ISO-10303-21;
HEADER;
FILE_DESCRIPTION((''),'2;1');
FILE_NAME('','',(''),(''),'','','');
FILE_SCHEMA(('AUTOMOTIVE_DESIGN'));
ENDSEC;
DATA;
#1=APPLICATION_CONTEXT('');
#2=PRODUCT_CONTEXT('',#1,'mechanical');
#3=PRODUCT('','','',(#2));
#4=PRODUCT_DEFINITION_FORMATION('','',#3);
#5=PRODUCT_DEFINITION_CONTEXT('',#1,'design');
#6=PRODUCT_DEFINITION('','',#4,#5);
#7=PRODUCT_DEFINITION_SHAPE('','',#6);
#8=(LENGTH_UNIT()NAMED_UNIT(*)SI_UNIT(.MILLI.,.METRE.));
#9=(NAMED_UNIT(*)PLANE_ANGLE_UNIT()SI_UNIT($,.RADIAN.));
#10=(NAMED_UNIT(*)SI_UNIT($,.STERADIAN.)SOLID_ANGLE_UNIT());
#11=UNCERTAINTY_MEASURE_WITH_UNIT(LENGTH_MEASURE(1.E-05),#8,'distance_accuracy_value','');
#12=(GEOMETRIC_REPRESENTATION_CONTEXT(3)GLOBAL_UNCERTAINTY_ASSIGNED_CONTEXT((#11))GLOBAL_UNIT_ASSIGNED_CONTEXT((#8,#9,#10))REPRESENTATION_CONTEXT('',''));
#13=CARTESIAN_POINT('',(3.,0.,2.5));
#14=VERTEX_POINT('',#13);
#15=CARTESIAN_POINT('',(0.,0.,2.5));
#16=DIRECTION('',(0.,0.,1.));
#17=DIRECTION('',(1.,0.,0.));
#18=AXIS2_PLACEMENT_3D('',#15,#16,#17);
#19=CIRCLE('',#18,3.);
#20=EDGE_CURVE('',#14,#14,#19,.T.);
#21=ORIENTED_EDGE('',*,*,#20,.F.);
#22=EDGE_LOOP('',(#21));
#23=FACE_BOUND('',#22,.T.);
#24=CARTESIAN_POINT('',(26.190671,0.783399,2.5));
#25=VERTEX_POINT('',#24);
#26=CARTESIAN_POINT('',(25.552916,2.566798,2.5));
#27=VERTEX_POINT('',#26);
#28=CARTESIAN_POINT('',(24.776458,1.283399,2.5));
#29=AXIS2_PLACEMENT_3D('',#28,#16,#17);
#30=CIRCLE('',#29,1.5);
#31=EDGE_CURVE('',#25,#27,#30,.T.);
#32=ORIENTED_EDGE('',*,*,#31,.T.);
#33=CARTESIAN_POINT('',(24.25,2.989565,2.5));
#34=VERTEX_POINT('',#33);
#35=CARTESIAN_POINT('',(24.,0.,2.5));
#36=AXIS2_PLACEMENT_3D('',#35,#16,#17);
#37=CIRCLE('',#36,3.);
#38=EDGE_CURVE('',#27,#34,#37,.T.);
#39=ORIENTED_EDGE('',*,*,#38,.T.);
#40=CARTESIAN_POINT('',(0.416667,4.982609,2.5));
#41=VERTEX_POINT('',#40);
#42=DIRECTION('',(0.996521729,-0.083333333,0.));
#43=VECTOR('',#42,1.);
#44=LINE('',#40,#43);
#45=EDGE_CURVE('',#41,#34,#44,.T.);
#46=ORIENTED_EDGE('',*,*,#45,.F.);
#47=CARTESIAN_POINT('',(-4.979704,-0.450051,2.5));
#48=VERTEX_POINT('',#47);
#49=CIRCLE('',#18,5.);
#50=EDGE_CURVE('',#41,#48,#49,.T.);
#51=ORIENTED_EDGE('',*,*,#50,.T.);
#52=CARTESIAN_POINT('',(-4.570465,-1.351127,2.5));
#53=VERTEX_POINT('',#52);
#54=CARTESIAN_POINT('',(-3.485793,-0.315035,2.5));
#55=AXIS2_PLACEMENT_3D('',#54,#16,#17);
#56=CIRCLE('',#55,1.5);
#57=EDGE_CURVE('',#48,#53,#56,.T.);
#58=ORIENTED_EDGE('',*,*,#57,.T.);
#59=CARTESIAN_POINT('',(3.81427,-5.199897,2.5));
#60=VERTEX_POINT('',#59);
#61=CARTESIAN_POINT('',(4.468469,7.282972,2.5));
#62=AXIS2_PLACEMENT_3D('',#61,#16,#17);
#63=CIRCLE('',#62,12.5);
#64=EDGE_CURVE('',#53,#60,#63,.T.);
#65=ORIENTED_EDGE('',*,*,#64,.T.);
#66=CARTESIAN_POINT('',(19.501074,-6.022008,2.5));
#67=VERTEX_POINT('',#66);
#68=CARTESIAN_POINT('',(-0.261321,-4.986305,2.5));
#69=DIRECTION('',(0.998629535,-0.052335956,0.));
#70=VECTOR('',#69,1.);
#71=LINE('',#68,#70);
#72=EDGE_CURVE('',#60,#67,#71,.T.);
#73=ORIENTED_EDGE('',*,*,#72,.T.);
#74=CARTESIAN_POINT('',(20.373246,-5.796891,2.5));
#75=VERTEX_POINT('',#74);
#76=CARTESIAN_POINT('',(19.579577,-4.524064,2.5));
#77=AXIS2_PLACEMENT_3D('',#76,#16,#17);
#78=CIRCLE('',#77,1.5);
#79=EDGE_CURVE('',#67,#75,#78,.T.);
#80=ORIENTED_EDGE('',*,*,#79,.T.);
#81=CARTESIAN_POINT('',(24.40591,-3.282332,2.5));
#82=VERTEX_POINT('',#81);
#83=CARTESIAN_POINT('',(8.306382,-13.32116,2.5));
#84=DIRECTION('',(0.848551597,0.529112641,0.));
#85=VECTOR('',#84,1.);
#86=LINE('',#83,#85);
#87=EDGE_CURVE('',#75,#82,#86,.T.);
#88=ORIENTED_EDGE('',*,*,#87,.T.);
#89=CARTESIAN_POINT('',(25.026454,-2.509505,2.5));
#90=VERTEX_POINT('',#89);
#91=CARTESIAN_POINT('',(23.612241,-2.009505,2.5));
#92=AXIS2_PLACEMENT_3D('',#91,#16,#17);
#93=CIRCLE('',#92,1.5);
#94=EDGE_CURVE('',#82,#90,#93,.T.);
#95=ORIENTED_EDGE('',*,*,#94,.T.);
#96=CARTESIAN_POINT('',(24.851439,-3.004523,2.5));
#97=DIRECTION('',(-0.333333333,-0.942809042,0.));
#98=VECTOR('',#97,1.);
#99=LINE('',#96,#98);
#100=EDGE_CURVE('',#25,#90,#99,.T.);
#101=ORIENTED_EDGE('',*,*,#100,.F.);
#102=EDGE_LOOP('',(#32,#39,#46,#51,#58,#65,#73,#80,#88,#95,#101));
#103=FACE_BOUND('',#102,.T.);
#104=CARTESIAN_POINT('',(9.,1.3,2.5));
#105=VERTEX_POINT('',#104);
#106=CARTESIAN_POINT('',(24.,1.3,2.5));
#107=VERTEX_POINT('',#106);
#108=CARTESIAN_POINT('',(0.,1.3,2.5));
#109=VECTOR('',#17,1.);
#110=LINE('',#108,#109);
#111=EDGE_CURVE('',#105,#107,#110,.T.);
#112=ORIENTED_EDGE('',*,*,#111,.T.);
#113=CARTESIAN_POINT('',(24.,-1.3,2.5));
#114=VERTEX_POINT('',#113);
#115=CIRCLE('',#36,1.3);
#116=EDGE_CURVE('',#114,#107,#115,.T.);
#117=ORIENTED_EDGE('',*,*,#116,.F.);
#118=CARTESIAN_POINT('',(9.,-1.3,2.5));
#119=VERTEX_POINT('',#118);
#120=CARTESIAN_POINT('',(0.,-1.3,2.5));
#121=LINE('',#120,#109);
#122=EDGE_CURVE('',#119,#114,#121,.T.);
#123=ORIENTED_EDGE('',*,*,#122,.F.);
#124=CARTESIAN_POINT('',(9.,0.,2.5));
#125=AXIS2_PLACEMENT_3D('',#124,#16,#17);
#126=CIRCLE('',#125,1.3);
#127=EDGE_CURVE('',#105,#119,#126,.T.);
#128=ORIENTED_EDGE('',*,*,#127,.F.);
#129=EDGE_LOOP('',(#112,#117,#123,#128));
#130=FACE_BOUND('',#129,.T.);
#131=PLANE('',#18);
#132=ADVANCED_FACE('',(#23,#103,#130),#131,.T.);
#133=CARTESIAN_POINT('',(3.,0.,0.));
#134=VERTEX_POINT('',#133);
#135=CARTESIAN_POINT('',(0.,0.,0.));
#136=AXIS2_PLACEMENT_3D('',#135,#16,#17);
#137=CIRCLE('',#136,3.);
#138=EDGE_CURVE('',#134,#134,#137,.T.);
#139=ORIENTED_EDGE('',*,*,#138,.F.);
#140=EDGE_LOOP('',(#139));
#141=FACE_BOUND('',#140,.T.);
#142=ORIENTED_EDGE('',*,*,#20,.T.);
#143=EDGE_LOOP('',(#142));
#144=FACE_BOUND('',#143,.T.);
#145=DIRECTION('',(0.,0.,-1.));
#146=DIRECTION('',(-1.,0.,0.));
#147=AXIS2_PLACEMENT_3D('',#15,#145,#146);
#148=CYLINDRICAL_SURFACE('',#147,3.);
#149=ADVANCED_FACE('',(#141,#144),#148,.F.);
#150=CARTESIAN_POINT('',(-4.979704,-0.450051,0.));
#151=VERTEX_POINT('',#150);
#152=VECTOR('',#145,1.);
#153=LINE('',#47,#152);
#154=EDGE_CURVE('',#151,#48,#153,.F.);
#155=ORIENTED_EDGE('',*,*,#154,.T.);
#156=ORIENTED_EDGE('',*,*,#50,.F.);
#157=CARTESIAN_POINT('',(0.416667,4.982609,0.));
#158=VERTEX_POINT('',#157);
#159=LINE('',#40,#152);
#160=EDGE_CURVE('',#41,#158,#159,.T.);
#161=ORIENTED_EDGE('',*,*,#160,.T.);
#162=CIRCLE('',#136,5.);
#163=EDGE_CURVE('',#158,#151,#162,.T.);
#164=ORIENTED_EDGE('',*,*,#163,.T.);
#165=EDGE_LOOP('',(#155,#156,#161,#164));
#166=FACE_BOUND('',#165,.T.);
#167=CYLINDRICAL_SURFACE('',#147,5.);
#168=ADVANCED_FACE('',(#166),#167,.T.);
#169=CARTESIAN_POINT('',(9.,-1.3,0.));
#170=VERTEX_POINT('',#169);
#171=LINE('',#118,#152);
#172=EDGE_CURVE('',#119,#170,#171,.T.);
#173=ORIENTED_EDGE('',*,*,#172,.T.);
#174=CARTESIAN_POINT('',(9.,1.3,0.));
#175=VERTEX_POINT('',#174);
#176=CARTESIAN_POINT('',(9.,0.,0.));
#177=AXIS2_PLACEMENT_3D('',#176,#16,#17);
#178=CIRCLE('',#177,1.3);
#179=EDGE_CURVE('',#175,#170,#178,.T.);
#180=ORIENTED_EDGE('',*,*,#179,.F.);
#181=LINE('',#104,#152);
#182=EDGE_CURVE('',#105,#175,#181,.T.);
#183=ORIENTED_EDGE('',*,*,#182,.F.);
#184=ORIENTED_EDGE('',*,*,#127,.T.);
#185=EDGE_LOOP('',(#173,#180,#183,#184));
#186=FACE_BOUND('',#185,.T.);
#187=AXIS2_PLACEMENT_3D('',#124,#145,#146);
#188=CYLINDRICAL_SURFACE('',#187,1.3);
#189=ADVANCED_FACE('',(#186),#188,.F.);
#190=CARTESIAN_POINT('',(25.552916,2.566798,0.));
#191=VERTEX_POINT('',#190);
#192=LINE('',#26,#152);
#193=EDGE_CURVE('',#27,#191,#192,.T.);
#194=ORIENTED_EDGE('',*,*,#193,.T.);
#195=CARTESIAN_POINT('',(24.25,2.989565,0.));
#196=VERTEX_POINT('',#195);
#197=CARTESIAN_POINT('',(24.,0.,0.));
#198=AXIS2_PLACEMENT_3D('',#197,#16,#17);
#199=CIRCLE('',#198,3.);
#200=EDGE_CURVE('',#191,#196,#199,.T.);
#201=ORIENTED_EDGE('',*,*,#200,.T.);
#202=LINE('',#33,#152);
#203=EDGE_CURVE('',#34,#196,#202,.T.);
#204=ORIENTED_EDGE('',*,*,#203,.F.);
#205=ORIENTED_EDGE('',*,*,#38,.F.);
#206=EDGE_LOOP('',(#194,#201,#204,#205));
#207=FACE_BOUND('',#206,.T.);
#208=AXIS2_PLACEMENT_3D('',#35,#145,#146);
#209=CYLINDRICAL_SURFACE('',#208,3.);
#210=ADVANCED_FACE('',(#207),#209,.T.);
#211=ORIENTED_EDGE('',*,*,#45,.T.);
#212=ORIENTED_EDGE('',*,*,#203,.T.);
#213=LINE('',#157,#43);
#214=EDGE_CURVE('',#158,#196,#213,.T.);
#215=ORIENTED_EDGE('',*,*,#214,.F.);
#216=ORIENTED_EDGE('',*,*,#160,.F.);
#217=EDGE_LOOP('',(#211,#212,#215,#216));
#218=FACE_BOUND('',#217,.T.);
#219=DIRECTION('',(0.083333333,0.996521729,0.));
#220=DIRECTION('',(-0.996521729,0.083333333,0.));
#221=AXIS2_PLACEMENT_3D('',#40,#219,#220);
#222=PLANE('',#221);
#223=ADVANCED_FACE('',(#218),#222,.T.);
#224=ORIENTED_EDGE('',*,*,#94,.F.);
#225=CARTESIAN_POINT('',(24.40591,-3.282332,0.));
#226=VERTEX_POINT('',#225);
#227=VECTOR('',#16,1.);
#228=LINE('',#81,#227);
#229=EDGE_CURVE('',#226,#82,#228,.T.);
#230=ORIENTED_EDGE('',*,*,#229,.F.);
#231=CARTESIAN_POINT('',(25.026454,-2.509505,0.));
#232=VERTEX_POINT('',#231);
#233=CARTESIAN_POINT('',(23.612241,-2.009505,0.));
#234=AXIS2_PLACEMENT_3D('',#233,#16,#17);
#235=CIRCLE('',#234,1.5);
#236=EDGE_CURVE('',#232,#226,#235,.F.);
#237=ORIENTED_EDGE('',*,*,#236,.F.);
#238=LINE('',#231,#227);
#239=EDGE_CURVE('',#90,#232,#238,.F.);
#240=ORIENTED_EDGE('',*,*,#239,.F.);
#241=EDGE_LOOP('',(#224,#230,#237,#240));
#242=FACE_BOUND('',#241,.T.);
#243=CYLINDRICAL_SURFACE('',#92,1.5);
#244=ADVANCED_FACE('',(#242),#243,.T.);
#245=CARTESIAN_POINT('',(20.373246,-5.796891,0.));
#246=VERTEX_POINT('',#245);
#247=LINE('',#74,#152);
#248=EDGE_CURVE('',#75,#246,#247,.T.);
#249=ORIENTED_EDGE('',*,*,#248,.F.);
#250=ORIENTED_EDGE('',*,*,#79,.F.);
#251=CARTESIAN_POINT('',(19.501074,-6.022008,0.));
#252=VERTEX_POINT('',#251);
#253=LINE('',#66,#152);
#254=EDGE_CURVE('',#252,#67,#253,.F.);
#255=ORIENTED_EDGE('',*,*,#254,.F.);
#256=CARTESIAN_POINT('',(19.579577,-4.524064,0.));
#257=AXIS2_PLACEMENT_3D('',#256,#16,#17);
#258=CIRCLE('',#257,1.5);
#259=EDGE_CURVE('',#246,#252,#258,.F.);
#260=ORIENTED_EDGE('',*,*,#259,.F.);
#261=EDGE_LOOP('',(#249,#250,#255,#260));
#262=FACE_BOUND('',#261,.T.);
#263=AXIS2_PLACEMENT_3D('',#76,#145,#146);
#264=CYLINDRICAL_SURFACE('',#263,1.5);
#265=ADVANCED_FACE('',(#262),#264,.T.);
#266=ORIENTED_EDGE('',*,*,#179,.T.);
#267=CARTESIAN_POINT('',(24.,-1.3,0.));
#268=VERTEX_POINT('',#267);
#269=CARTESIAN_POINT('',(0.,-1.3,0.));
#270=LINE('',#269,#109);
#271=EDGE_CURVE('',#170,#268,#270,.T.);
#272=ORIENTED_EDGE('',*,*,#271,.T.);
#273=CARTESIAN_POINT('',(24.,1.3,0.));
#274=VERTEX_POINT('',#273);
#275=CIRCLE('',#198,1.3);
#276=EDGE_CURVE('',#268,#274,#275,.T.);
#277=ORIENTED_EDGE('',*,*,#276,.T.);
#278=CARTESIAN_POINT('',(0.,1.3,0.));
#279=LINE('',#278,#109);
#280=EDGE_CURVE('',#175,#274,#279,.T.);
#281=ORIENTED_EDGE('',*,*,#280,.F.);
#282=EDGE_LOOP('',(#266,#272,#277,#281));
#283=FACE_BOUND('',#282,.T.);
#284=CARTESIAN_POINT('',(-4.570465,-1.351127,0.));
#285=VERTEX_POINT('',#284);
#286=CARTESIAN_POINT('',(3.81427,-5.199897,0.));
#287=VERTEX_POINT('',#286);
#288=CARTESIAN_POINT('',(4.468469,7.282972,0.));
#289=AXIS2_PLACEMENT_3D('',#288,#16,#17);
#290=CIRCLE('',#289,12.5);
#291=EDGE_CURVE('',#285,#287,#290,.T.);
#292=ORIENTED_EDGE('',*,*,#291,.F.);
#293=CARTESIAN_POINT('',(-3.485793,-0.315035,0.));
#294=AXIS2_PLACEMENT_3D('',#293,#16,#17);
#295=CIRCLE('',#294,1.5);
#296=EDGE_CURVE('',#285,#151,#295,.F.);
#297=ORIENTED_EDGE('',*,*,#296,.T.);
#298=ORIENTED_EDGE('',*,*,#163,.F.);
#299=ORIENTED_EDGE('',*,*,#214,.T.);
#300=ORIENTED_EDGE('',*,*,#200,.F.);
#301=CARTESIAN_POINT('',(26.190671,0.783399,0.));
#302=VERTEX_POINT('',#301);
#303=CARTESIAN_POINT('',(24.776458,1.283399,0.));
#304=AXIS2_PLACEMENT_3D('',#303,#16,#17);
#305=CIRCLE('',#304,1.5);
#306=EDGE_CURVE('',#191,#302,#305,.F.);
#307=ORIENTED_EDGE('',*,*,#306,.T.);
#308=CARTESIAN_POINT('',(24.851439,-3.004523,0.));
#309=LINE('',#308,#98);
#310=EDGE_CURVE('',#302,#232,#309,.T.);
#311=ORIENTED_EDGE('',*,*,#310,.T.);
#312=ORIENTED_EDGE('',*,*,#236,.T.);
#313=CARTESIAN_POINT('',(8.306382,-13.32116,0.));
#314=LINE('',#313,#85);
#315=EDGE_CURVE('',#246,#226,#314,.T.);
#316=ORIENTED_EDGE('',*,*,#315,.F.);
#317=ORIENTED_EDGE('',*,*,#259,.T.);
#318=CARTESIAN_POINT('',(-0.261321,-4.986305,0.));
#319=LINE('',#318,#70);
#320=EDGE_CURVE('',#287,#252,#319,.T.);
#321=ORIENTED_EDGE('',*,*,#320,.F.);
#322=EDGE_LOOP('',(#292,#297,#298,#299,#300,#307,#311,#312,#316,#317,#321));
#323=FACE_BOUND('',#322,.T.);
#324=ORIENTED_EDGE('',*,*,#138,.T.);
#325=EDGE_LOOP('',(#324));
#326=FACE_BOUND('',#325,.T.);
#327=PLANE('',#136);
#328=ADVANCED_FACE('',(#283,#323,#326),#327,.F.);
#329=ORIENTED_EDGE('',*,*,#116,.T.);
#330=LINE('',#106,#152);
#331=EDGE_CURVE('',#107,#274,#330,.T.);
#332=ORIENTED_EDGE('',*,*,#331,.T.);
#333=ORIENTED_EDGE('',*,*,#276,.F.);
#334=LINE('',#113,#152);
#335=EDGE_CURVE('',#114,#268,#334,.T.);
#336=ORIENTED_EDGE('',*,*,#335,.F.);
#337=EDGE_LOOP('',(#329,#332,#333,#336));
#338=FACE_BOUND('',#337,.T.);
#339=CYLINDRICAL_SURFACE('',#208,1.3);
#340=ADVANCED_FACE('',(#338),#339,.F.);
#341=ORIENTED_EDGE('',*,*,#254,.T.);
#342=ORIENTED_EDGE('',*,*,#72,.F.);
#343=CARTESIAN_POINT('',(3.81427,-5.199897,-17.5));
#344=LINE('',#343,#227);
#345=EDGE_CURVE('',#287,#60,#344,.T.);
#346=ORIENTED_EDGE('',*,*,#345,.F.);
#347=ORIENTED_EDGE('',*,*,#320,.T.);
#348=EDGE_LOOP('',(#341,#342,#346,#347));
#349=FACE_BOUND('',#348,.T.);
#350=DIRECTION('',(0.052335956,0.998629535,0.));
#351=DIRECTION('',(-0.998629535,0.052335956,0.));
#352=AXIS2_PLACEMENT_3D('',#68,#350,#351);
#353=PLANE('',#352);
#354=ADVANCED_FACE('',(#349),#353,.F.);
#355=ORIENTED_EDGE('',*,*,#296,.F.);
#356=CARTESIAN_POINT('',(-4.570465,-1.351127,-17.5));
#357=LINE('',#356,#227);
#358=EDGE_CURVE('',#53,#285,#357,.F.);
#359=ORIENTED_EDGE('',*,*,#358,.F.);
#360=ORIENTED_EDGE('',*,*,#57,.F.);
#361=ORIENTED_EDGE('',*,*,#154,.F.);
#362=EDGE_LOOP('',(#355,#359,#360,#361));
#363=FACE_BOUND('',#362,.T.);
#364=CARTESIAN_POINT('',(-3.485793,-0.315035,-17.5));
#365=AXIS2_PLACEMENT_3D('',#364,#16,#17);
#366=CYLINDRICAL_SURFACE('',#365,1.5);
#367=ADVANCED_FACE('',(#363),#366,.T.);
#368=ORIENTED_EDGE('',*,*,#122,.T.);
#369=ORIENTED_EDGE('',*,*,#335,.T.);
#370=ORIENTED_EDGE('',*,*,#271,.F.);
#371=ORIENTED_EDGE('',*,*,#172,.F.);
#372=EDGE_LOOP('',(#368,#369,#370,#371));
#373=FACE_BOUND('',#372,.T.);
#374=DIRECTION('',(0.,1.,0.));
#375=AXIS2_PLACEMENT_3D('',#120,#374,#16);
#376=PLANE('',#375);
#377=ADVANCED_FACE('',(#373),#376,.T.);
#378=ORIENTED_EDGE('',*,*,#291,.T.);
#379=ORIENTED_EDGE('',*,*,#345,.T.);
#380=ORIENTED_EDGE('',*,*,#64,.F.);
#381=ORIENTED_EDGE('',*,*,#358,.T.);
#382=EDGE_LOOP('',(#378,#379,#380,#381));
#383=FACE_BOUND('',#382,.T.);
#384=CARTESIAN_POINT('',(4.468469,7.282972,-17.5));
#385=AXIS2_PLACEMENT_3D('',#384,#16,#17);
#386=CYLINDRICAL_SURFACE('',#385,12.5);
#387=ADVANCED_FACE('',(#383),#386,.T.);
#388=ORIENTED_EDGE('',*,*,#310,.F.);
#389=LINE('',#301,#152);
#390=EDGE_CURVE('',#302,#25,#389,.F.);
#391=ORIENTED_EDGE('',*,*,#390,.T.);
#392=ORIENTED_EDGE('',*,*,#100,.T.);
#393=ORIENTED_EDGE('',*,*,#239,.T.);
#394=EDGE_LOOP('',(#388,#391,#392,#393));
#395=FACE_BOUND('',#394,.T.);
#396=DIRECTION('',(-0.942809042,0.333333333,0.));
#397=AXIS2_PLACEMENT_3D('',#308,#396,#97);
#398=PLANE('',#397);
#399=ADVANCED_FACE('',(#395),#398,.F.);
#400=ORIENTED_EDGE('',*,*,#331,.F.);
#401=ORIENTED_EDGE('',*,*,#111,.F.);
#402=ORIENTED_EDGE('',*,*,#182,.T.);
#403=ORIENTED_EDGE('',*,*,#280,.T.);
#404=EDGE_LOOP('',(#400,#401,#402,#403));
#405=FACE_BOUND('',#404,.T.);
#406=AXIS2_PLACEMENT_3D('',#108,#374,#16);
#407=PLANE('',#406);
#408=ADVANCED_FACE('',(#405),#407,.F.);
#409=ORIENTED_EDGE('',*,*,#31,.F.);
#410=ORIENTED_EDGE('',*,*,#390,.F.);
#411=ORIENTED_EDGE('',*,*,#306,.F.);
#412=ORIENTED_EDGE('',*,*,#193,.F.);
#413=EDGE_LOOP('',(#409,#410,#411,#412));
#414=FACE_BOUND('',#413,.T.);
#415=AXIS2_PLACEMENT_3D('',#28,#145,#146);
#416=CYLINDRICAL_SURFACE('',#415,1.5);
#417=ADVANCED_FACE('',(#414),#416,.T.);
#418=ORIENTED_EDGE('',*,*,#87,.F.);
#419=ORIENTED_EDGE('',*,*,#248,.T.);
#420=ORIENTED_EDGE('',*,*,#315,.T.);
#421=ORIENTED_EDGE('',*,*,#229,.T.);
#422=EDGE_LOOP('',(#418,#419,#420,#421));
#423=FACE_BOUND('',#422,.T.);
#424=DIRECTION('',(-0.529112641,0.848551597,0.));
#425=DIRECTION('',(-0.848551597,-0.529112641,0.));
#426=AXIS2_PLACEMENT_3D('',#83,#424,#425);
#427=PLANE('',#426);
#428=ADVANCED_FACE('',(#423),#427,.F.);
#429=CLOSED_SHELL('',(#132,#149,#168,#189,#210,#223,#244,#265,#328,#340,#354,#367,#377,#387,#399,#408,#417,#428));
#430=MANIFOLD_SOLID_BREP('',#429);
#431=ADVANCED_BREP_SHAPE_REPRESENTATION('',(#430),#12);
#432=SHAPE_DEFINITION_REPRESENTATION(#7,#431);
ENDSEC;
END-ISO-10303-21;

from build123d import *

# Parameters (mm, degrees)
SKETCH_1_R          = 3
EXTRUDE_1_DEPTH     = 2.5
CUT_EXTRUDE_START   = -2.5
CUT_EXTRUDE_2_DEPTH = 2.5
CUT_EXTRUDE_START_2 = -20
CUT_EXTRUDE_3_DEPTH = 20
FILLET_2_R          = 1.5


with BuildPart() as part:
    # 草图1 → 凸台-拉伸1 (new body)
    with BuildSketch(Plane.XY):
        with BuildLine():
            ThreePointArc((0.416666667, 4.982608643), (-4.995650269, 0.20851473), (0, -5))
            Line((0, -5), (19.972590695, -6.046719125))
            Line((19.972590695, -6.046719125), (25.587337922, -2.545654792))
            ThreePointArc((25.587337922, -2.545654792), (26.916096314, 0.704544029), (24.25, 2.989565186))
            Line((24.25, 2.989565186), (0.416666667, 4.982608643))
        make_face()
        Circle(SKETCH_1_R, mode=Mode.SUBTRACT)
        with BuildLine():
            ThreePointArc((9, -1.3), (7.7, 0), (9, 1.3))
            Line((9, 1.3), (24, 1.3))
            ThreePointArc((24, 1.3), (25.3, 0), (24, -1.3))
            Line((24, -1.3), (9, -1.3))
        make_face(mode=Mode.SUBTRACT)
    extrude(amount=EXTRUDE_1_DEPTH)

    # 草图2 → 切除-拉伸2 (cut)
    with BuildSketch(Plane.XY.offset(2.5).offset(CUT_EXTRUDE_START)):
        with BuildLine():
            Line((24.851438624, -3.004523319), (25.587337922, -2.545654792))
            ThreePointArc((25.587337922, -2.545654792), (26.931709032, -0.636460643), (26.5, 1.658312395))
            Line((26.5, 1.658312395), (24.851438624, -3.004523319))
        make_face()
    extrude(amount=CUT_EXTRUDE_2_DEPTH, mode=Mode.SUBTRACT)

    # 草图3 → 切除-拉伸3 (cut)
    with BuildSketch(Plane.XY.offset(2.5).offset(CUT_EXTRUDE_START_2)):
        with BuildLine():
            ThreePointArc((-4.900680589, -0.991629852), (-3.165584523, -3.87028095), (0, -5))
            Line((0, -5), (3.814269781, -5.199897409))
            ThreePointArc((3.814269781, -5.199897409), (-0.9669941, -3.973392585), (-4.900680589, -0.991629852))
        make_face()
    extrude(amount=CUT_EXTRUDE_3_DEPTH, mode=Mode.SUBTRACT)

    # 圆角2
    fillet_2_edges = [part.edges().sort_by_distance(p)[0] for p in [
        (19.972590695, -6.046719125, 1.25),
        (26.5, 1.658312395, 1.25),
        (24.851438624, -3.004523319, 1.25),
        (-4.900680589, -0.991629852, 1.25),
    ]]
    fillet(fillet_2_edges, radius=FILLET_2_R)


solid = part.part
